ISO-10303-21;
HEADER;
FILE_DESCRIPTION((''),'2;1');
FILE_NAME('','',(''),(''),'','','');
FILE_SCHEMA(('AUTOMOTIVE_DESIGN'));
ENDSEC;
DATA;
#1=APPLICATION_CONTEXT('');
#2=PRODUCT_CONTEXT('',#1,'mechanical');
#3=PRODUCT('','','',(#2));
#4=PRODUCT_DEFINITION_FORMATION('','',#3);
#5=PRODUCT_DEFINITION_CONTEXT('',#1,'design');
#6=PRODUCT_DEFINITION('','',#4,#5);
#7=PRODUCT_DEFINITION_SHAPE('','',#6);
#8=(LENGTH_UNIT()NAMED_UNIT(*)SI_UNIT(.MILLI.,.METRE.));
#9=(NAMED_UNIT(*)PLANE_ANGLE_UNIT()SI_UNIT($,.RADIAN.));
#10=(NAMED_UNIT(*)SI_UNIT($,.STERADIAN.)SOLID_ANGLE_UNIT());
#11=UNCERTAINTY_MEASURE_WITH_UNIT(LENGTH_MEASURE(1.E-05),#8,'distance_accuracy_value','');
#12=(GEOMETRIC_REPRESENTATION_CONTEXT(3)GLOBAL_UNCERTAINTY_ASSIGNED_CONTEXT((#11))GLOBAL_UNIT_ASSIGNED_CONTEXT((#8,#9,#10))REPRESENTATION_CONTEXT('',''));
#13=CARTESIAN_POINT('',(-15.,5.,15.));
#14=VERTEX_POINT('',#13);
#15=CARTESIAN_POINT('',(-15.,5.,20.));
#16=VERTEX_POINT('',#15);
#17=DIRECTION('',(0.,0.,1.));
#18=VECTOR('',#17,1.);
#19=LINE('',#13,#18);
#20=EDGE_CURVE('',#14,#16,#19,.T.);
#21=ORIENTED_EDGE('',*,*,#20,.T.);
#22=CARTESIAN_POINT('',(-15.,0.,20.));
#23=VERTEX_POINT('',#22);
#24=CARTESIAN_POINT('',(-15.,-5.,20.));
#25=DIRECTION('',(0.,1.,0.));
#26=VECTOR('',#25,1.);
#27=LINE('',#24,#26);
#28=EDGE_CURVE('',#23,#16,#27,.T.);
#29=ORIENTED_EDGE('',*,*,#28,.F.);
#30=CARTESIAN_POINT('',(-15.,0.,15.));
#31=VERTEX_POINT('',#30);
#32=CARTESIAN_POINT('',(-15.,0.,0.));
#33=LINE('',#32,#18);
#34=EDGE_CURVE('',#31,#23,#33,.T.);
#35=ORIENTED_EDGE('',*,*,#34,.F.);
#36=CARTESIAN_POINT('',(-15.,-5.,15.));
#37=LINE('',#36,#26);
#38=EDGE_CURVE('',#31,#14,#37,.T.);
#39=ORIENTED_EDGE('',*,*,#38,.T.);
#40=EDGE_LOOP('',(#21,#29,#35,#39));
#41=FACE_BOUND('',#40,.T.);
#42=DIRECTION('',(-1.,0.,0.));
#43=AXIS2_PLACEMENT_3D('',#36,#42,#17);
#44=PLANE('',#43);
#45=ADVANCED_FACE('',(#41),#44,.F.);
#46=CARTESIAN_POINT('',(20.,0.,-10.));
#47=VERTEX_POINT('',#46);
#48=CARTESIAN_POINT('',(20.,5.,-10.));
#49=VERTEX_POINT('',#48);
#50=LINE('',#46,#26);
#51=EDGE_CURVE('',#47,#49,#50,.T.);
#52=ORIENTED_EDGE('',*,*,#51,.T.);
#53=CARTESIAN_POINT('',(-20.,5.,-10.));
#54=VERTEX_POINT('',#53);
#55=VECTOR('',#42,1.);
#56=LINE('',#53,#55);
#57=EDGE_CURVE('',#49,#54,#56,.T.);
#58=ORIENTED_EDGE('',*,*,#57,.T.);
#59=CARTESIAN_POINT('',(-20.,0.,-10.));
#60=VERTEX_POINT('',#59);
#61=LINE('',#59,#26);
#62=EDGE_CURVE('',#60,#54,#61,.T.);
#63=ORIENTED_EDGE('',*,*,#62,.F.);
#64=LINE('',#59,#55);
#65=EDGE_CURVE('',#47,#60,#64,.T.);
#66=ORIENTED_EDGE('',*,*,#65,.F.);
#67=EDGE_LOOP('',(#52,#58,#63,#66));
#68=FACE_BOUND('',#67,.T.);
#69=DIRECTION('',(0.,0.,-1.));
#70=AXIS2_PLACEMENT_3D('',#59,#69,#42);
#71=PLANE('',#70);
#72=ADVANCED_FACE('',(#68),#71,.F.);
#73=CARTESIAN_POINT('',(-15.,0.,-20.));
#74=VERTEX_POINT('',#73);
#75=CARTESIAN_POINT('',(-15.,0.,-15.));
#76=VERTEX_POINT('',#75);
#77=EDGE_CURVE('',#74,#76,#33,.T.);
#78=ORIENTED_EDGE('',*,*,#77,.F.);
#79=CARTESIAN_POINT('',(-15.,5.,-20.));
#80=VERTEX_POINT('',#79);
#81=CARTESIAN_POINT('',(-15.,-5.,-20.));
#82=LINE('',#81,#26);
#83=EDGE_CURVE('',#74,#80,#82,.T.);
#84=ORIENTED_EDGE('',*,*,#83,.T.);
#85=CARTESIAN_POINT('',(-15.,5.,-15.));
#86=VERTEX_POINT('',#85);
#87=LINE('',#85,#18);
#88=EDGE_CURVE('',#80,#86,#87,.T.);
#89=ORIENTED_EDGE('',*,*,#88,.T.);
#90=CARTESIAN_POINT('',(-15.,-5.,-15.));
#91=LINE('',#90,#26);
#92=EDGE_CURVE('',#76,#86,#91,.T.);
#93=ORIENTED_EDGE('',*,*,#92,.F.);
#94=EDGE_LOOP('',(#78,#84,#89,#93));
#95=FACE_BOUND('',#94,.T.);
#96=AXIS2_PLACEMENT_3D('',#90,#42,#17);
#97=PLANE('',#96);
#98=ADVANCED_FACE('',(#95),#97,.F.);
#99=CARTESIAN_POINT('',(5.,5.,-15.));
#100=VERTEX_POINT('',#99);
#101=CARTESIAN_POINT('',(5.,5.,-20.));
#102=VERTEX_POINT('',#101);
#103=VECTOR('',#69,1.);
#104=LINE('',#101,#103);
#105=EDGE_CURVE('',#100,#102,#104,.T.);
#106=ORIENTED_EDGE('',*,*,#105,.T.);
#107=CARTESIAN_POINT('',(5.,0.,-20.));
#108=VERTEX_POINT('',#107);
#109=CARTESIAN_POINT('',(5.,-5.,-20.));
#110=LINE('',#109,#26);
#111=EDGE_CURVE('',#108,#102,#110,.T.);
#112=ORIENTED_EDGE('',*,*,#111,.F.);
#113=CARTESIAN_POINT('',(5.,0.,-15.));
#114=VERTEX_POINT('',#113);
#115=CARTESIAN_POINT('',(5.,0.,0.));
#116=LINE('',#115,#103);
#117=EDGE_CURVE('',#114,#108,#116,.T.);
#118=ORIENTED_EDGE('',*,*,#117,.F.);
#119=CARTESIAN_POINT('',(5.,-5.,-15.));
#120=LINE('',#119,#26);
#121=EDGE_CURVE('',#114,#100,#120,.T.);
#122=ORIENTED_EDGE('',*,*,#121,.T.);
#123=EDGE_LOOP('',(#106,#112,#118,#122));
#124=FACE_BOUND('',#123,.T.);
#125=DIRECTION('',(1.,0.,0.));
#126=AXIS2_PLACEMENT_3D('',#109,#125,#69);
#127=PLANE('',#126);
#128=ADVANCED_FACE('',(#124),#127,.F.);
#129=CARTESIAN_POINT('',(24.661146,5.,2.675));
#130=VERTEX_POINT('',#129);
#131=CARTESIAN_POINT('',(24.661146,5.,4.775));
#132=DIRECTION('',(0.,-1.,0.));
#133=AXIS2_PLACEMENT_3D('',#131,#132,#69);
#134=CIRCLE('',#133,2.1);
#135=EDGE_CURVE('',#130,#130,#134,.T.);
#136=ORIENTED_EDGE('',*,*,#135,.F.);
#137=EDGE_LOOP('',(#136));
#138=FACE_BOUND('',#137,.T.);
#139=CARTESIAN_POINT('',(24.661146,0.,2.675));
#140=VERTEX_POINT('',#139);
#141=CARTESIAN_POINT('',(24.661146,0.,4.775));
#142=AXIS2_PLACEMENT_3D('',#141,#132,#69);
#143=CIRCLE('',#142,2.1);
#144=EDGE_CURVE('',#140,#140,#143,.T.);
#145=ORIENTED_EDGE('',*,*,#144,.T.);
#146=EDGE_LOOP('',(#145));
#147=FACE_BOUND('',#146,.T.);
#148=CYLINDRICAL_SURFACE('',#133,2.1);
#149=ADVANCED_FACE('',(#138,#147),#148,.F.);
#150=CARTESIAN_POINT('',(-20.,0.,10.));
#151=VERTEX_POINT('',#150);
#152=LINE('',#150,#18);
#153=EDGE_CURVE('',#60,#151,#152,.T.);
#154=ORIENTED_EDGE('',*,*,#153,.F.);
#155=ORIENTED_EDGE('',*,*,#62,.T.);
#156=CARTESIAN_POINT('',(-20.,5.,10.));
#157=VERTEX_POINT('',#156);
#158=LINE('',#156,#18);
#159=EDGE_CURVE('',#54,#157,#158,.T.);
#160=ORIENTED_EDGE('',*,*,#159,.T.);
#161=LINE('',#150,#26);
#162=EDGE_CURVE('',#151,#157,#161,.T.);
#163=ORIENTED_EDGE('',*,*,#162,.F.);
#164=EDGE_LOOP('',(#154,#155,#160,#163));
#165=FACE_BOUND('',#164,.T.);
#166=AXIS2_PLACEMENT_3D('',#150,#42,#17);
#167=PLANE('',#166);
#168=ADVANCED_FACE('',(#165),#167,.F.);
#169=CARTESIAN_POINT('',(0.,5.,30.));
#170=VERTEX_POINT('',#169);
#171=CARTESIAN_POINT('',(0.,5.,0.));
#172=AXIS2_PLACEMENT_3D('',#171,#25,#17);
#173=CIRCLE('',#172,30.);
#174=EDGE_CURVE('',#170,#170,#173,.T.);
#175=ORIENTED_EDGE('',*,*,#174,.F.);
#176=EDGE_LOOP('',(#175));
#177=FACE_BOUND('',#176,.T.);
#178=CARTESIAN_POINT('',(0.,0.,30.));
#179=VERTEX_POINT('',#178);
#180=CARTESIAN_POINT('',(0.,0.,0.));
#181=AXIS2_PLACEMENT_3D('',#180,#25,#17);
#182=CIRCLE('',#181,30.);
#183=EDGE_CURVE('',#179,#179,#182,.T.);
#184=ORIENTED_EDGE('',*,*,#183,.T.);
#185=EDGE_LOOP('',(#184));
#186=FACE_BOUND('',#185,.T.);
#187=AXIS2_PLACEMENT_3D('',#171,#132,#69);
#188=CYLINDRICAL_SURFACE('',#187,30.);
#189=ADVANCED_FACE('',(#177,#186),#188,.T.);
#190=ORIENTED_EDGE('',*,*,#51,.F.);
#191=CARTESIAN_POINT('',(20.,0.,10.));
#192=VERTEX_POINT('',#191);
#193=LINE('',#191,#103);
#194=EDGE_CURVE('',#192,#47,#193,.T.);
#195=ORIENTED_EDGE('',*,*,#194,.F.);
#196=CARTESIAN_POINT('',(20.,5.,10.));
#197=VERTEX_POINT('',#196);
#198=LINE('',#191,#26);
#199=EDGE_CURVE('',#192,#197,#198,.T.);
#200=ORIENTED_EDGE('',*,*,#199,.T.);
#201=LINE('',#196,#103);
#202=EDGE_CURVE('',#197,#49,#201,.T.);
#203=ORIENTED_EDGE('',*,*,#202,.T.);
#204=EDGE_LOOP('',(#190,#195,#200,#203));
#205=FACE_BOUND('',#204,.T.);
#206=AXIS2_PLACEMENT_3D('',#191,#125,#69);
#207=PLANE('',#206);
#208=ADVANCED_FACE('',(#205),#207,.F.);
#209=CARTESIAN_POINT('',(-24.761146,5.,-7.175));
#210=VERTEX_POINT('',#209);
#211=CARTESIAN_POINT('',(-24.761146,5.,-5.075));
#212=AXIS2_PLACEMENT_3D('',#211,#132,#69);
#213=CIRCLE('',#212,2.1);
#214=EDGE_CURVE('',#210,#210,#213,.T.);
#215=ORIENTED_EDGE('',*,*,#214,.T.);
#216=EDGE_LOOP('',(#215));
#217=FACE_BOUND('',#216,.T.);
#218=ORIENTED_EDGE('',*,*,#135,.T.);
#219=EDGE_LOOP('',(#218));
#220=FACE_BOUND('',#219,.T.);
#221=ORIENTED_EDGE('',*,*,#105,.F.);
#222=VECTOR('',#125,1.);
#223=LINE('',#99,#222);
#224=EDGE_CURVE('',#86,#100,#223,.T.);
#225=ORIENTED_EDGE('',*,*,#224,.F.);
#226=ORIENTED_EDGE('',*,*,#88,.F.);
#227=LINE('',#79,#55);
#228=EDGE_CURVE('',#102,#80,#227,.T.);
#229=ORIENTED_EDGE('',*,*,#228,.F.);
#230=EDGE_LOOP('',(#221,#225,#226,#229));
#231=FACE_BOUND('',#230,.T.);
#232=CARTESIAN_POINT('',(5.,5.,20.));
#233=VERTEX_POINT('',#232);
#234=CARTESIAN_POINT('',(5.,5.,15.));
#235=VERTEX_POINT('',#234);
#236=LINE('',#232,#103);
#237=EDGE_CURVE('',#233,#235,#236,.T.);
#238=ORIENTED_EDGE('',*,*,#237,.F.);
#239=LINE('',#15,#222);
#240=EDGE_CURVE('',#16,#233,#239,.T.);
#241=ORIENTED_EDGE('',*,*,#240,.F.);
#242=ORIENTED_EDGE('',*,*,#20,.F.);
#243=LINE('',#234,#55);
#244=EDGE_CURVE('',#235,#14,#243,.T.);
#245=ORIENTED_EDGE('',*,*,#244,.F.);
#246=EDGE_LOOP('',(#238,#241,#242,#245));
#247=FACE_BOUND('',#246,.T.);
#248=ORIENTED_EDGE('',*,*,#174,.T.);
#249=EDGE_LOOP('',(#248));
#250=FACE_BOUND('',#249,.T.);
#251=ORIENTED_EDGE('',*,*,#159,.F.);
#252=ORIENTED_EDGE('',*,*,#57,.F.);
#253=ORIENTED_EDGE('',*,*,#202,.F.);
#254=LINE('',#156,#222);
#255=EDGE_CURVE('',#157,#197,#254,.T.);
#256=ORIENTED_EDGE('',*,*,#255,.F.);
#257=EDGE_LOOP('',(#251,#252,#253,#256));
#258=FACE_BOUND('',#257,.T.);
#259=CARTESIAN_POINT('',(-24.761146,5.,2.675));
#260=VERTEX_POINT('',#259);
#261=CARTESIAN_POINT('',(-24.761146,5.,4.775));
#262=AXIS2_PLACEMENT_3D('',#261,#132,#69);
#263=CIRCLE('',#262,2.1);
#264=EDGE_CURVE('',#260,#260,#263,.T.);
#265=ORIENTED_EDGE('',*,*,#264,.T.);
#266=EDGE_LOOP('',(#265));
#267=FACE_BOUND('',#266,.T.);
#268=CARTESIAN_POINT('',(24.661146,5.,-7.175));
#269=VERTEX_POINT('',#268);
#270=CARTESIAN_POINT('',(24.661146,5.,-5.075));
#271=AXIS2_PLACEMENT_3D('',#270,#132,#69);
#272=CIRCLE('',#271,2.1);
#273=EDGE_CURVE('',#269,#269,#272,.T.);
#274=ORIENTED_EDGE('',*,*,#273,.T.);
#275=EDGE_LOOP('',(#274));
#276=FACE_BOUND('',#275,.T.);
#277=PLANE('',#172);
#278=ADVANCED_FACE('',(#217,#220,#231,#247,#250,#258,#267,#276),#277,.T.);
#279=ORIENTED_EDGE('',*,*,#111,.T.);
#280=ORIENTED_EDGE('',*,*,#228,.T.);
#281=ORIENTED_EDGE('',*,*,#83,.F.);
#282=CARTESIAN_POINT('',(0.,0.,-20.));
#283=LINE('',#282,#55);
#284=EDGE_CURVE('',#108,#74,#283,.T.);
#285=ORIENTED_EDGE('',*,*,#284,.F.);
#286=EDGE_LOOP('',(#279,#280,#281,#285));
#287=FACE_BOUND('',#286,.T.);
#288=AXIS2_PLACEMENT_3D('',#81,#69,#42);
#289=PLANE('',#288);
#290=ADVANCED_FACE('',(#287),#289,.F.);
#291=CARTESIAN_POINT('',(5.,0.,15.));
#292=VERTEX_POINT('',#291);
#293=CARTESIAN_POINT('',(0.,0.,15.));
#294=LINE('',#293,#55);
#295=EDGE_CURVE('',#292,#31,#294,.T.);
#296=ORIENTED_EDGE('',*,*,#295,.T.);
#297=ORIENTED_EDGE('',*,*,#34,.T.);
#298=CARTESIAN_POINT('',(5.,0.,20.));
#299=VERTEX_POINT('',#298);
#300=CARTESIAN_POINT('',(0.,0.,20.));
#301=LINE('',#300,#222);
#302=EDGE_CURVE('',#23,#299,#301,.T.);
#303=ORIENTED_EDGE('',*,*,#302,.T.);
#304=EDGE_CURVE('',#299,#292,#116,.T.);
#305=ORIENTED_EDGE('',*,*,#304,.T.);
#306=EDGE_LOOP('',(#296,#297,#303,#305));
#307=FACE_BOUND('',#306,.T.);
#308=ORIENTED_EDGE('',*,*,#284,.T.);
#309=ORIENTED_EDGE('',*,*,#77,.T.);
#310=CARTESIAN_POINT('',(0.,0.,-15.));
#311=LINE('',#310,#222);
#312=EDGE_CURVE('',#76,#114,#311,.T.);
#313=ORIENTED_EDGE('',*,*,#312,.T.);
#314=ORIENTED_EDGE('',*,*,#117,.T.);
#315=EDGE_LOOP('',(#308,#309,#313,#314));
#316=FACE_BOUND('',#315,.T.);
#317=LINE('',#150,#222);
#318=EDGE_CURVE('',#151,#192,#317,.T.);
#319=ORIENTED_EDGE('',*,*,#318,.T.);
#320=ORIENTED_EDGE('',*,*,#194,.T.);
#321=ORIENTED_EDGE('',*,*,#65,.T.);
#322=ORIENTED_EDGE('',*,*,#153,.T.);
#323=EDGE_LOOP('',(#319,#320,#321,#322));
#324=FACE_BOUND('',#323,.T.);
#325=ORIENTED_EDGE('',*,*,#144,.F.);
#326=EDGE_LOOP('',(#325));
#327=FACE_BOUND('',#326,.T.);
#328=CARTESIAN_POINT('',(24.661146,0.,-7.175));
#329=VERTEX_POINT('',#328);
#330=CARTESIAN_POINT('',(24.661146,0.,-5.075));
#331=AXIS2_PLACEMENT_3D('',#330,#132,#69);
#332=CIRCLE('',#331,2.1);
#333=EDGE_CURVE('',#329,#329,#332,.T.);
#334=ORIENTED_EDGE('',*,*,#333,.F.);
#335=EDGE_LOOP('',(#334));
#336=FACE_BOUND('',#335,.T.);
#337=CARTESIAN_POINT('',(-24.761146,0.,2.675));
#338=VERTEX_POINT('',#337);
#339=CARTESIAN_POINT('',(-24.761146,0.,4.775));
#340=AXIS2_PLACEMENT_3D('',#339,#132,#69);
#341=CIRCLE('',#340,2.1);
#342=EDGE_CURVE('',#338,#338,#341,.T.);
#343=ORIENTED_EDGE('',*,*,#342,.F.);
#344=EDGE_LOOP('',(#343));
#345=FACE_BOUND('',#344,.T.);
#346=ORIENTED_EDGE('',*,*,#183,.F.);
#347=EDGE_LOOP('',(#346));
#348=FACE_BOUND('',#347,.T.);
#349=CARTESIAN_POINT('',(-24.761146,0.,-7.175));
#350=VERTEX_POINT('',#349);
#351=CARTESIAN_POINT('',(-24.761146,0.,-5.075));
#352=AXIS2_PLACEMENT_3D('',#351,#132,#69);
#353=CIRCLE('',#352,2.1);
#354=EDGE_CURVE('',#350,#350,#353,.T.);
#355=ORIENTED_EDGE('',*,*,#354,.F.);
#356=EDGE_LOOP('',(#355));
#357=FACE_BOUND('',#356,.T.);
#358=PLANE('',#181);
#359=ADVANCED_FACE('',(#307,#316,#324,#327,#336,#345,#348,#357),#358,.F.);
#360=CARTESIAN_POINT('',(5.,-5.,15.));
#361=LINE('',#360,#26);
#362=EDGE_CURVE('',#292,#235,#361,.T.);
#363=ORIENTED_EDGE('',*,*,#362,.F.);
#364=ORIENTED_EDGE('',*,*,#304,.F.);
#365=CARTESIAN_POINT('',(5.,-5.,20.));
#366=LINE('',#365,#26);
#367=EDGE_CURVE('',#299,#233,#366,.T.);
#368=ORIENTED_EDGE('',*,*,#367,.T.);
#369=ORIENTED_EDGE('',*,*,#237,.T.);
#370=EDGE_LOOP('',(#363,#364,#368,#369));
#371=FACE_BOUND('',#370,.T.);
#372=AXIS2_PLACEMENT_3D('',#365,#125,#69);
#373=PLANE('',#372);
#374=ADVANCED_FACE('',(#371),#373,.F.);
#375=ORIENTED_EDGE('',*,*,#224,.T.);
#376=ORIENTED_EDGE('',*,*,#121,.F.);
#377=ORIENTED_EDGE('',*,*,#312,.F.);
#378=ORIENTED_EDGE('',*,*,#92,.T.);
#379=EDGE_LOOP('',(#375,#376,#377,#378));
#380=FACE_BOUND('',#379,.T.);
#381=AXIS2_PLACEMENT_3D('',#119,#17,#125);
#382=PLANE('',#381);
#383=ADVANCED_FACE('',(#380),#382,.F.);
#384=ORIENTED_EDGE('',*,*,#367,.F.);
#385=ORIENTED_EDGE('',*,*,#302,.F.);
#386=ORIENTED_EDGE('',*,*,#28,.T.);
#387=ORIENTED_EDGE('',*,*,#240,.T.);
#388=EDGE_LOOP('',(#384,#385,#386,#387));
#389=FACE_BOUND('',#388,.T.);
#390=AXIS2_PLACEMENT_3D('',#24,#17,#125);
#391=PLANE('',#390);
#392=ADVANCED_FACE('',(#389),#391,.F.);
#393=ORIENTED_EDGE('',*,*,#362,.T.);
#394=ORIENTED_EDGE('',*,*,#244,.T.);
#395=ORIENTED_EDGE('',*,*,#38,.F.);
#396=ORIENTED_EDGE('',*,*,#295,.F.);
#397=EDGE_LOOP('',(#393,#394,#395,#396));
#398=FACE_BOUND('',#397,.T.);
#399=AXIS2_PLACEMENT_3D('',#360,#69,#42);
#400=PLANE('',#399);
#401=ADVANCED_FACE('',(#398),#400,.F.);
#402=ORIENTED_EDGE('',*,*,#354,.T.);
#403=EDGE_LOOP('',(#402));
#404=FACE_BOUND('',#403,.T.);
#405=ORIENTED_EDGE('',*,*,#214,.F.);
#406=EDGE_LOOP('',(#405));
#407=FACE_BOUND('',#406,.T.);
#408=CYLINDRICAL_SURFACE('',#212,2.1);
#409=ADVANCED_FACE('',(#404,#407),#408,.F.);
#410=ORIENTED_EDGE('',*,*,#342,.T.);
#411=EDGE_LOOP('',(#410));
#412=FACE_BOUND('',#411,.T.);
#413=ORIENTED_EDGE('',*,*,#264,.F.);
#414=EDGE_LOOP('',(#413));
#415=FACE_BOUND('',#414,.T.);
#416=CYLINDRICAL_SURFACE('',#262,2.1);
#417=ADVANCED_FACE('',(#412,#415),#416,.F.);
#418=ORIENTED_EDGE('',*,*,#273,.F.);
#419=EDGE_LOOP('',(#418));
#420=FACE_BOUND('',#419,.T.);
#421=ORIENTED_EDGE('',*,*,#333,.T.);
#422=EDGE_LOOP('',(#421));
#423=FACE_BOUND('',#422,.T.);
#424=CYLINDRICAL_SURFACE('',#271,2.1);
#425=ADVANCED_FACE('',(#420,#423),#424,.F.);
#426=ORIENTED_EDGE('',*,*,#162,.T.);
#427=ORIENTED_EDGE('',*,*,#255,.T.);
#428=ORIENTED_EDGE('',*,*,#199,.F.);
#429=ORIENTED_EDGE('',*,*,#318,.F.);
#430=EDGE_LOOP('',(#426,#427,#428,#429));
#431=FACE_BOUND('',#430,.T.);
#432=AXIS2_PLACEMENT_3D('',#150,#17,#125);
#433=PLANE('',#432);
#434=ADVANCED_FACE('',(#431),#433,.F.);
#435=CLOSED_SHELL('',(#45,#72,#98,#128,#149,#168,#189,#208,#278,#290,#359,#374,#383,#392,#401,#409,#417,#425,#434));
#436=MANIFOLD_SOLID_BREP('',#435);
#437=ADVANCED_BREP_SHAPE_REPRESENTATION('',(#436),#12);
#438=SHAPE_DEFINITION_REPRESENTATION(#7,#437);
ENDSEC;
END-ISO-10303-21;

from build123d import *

# Parameters (mm, degrees)
SKETCH2_R           = 30
BOSS_EXTRUDE1_DEPTH = 5
SKETCH3_W           = 40
SKETCH3_H           = 20
CUT_EXTRUDE1_DEPTH  = 6
SKETCH4_W           = 20
SKETCH4_H           = 5
CUT_EXTRUDE2_DEPTH  = 10
SKETCH5_R           = 2.1
CUT_EXTRUDE3_DEPTH  = 6


with BuildPart() as part:
    # Sketch2 → Boss-Extrude1 (new body)
    with BuildSketch(Plane(origin=(0, 0, 0), x_dir=(1, 0, 0), z_dir=(0, 1, 0))):
        Circle(SKETCH2_R)
    extrude(amount=BOSS_EXTRUDE1_DEPTH)

    # Sketch3 → Cut-Extrude1 (cut, through all)
    with BuildSketch(Plane(origin=(0, 5, 0), x_dir=(1, 0, 0), z_dir=(0, 1, 0))):
        Rectangle(SKETCH3_W, SKETCH3_H)
    extrude(amount=-CUT_EXTRUDE1_DEPTH, mode=Mode.SUBTRACT)

    # Sketch4 → Cut-Extrude2 (cut)
    with BuildSketch(Plane(origin=(0, 5, 0), x_dir=(1, 0, 0), z_dir=(0, 1, 0))):
        with Locations((-5, 17.5)):
            Rectangle(SKETCH4_W, SKETCH4_H)
        with Locations((-5, -17.5)):
            Rectangle(SKETCH4_W, SKETCH4_H)
    extrude(amount=-CUT_EXTRUDE2_DEPTH, mode=Mode.SUBTRACT)

    # Sketch5 → Cut-Extrude3 (cut, through all)
    with BuildSketch(Plane.XZ):
        with Locations((-24.761145618, -5.075)):
            Circle(SKETCH5_R)
        with Locations((-24.761145618, 4.775)):
            Circle(SKETCH5_R)
        with Locations((24.661145618, 4.775)):
            Circle(SKETCH5_R)
        with Locations((24.661145618, -5.075)):
            Circle(SKETCH5_R)
    extrude(amount=-CUT_EXTRUDE3_DEPTH, mode=Mode.SUBTRACT)


solid = part.part
